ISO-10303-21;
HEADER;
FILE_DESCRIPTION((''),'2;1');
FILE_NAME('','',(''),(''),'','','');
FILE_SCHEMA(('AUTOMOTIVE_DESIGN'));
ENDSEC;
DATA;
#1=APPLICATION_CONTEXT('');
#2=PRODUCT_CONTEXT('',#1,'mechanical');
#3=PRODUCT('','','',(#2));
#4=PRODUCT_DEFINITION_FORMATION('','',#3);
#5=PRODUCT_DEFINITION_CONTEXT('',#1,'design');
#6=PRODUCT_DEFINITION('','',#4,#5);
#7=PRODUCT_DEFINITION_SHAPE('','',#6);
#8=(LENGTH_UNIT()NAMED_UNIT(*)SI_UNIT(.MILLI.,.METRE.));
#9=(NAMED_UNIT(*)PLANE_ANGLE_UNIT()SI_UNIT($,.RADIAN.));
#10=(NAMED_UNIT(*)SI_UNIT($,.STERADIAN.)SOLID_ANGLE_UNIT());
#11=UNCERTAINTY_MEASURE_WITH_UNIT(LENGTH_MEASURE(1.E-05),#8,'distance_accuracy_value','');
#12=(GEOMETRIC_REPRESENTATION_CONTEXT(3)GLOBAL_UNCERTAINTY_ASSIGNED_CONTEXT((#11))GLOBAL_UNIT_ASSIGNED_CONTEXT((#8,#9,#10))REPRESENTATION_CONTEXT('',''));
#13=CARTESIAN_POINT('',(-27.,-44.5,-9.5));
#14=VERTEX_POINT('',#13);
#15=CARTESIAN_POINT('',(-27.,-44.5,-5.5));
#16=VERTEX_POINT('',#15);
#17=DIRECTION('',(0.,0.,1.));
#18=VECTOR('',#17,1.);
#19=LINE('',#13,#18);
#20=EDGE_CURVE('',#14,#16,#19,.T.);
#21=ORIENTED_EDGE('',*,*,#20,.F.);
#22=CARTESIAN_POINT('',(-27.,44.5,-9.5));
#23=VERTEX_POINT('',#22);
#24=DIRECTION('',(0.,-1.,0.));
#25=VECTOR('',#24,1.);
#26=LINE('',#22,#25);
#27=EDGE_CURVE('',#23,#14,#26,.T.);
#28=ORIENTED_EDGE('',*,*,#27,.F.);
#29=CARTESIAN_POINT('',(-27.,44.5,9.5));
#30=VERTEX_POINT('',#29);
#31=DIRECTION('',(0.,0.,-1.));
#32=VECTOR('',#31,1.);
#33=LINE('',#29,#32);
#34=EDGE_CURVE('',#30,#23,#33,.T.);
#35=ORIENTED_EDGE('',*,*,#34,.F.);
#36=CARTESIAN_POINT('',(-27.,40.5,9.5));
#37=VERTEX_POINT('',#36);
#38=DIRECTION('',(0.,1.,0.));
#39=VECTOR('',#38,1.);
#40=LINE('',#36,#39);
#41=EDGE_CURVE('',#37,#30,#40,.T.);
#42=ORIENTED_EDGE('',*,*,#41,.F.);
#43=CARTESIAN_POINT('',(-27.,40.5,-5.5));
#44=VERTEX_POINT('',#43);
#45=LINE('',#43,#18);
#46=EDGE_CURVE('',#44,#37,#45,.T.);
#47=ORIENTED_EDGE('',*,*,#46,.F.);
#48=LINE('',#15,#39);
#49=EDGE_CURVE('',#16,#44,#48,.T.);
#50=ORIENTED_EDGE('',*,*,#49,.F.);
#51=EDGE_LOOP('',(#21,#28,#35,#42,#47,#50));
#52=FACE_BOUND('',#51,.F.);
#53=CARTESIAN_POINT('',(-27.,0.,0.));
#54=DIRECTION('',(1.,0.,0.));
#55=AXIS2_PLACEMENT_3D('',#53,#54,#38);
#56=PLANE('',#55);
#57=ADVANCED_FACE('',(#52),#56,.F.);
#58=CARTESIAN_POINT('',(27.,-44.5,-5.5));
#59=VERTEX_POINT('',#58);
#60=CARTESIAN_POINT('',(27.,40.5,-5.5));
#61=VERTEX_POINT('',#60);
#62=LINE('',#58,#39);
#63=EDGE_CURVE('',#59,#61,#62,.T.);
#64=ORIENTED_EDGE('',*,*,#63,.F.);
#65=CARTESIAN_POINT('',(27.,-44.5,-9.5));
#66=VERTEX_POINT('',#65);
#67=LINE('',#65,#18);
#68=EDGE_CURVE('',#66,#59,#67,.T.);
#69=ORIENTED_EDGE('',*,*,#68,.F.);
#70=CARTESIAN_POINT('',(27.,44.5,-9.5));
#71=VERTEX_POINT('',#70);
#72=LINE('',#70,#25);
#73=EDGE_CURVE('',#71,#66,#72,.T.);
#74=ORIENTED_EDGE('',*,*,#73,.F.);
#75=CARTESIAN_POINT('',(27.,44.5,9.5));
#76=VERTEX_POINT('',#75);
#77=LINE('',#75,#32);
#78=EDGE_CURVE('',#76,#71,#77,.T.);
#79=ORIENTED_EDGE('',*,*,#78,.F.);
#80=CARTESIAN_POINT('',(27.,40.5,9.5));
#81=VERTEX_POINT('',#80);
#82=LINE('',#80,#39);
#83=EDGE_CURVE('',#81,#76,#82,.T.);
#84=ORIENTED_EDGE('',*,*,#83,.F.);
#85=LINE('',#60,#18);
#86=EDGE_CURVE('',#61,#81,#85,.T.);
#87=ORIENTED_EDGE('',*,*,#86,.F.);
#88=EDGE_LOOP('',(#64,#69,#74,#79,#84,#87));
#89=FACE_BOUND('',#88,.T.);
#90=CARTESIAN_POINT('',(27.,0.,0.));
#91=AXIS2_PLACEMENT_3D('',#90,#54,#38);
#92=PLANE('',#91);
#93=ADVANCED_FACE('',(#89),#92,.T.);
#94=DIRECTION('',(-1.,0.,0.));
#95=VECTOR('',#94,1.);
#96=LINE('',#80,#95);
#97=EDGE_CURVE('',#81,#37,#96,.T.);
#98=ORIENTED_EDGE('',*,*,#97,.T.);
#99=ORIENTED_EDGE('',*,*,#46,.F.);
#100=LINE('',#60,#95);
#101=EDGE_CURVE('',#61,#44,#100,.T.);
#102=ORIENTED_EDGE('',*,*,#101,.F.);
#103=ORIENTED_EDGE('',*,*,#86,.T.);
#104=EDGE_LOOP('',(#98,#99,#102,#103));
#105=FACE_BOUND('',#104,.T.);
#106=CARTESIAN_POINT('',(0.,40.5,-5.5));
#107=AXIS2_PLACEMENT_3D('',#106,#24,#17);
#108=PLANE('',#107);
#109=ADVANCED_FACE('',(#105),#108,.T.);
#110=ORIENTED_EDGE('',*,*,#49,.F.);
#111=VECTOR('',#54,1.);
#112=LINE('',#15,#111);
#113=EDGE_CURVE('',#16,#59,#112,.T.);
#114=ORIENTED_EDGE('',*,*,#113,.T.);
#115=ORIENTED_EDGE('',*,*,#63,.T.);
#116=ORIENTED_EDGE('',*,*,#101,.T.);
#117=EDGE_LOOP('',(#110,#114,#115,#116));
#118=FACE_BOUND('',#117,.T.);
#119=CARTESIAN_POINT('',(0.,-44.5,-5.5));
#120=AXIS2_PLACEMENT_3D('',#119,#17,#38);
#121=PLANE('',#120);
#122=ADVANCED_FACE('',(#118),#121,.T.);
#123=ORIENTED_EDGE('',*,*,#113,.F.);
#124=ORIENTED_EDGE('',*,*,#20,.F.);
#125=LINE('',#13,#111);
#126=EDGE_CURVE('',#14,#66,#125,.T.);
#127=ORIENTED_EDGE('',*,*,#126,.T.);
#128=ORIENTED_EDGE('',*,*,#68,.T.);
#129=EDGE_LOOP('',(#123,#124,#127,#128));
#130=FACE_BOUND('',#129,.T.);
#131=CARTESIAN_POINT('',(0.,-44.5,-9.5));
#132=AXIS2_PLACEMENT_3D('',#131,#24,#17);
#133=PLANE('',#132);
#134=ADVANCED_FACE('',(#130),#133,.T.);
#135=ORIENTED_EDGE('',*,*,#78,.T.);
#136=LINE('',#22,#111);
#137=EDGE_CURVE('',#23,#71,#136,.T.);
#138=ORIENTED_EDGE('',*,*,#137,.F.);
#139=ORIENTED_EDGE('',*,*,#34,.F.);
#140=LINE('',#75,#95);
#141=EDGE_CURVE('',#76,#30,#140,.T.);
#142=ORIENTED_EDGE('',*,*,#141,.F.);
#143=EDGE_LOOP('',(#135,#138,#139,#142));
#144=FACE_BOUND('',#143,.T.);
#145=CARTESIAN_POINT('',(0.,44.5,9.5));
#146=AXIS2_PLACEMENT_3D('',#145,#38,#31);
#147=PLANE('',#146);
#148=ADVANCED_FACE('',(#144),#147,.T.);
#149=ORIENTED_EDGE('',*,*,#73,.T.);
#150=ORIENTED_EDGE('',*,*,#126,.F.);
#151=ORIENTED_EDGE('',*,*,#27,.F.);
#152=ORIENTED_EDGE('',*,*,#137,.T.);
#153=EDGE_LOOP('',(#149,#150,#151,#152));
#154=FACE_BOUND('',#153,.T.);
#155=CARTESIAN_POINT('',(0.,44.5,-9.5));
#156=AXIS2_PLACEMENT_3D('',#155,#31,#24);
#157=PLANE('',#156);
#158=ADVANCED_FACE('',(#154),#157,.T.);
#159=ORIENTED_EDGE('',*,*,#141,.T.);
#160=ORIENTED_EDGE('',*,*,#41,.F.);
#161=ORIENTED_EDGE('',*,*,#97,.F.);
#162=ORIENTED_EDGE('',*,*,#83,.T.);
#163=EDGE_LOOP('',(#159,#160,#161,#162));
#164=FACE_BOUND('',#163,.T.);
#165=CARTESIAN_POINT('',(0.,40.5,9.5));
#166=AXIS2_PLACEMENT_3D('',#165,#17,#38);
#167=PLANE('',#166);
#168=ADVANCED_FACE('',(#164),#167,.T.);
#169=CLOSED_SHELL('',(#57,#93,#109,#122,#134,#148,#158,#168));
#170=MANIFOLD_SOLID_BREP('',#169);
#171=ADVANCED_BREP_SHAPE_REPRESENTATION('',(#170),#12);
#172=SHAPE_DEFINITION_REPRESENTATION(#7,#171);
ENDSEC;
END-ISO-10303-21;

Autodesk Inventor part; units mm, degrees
ref_plane "YZ Plane" through (0, 0, 0) normal (1, 0, 0) x (0, 1, 0)
ref_plane "XZ Plane" through (0, 0, 0) normal (0, 1, 0) x (-1, 0, 0)
ref_plane "XY Plane" through (0, 0, 0) normal (0, 0, 1) x (1, 0, 0)
sketch "Skizze1" plane through (0, 0, 0) normal (1, 0, 0) x (0, 1, 0)
  line L0 (-44.5, -5.5) -> (40.5, -5.5)
  line L1 (44.5, -9.5) -> (-44.5, -9.5)
  line L2 (-44.5, -9.5) -> (-44.5, -5.5)
  line L3 (40.5, -5.5) -> (40.5, 9.5)
  line L4 (40.5, 9.5) -> (44.5, 9.5)
  line L5 (44.5, 9.5) -> (44.5, -9.5)
  point P0 (0, 0)
  point P1 (44.5, 0)
  point P2 (0, -9.5)
  dimension "d0" = 4
  dimension "d2" = 4
  dimension "d3" = 19
  dimension "d6" = 89
extrude "Extrusion1" add sketch "Skizze1" along normal mid plane 54
properties part number "Platinenhalter-einzeln"
